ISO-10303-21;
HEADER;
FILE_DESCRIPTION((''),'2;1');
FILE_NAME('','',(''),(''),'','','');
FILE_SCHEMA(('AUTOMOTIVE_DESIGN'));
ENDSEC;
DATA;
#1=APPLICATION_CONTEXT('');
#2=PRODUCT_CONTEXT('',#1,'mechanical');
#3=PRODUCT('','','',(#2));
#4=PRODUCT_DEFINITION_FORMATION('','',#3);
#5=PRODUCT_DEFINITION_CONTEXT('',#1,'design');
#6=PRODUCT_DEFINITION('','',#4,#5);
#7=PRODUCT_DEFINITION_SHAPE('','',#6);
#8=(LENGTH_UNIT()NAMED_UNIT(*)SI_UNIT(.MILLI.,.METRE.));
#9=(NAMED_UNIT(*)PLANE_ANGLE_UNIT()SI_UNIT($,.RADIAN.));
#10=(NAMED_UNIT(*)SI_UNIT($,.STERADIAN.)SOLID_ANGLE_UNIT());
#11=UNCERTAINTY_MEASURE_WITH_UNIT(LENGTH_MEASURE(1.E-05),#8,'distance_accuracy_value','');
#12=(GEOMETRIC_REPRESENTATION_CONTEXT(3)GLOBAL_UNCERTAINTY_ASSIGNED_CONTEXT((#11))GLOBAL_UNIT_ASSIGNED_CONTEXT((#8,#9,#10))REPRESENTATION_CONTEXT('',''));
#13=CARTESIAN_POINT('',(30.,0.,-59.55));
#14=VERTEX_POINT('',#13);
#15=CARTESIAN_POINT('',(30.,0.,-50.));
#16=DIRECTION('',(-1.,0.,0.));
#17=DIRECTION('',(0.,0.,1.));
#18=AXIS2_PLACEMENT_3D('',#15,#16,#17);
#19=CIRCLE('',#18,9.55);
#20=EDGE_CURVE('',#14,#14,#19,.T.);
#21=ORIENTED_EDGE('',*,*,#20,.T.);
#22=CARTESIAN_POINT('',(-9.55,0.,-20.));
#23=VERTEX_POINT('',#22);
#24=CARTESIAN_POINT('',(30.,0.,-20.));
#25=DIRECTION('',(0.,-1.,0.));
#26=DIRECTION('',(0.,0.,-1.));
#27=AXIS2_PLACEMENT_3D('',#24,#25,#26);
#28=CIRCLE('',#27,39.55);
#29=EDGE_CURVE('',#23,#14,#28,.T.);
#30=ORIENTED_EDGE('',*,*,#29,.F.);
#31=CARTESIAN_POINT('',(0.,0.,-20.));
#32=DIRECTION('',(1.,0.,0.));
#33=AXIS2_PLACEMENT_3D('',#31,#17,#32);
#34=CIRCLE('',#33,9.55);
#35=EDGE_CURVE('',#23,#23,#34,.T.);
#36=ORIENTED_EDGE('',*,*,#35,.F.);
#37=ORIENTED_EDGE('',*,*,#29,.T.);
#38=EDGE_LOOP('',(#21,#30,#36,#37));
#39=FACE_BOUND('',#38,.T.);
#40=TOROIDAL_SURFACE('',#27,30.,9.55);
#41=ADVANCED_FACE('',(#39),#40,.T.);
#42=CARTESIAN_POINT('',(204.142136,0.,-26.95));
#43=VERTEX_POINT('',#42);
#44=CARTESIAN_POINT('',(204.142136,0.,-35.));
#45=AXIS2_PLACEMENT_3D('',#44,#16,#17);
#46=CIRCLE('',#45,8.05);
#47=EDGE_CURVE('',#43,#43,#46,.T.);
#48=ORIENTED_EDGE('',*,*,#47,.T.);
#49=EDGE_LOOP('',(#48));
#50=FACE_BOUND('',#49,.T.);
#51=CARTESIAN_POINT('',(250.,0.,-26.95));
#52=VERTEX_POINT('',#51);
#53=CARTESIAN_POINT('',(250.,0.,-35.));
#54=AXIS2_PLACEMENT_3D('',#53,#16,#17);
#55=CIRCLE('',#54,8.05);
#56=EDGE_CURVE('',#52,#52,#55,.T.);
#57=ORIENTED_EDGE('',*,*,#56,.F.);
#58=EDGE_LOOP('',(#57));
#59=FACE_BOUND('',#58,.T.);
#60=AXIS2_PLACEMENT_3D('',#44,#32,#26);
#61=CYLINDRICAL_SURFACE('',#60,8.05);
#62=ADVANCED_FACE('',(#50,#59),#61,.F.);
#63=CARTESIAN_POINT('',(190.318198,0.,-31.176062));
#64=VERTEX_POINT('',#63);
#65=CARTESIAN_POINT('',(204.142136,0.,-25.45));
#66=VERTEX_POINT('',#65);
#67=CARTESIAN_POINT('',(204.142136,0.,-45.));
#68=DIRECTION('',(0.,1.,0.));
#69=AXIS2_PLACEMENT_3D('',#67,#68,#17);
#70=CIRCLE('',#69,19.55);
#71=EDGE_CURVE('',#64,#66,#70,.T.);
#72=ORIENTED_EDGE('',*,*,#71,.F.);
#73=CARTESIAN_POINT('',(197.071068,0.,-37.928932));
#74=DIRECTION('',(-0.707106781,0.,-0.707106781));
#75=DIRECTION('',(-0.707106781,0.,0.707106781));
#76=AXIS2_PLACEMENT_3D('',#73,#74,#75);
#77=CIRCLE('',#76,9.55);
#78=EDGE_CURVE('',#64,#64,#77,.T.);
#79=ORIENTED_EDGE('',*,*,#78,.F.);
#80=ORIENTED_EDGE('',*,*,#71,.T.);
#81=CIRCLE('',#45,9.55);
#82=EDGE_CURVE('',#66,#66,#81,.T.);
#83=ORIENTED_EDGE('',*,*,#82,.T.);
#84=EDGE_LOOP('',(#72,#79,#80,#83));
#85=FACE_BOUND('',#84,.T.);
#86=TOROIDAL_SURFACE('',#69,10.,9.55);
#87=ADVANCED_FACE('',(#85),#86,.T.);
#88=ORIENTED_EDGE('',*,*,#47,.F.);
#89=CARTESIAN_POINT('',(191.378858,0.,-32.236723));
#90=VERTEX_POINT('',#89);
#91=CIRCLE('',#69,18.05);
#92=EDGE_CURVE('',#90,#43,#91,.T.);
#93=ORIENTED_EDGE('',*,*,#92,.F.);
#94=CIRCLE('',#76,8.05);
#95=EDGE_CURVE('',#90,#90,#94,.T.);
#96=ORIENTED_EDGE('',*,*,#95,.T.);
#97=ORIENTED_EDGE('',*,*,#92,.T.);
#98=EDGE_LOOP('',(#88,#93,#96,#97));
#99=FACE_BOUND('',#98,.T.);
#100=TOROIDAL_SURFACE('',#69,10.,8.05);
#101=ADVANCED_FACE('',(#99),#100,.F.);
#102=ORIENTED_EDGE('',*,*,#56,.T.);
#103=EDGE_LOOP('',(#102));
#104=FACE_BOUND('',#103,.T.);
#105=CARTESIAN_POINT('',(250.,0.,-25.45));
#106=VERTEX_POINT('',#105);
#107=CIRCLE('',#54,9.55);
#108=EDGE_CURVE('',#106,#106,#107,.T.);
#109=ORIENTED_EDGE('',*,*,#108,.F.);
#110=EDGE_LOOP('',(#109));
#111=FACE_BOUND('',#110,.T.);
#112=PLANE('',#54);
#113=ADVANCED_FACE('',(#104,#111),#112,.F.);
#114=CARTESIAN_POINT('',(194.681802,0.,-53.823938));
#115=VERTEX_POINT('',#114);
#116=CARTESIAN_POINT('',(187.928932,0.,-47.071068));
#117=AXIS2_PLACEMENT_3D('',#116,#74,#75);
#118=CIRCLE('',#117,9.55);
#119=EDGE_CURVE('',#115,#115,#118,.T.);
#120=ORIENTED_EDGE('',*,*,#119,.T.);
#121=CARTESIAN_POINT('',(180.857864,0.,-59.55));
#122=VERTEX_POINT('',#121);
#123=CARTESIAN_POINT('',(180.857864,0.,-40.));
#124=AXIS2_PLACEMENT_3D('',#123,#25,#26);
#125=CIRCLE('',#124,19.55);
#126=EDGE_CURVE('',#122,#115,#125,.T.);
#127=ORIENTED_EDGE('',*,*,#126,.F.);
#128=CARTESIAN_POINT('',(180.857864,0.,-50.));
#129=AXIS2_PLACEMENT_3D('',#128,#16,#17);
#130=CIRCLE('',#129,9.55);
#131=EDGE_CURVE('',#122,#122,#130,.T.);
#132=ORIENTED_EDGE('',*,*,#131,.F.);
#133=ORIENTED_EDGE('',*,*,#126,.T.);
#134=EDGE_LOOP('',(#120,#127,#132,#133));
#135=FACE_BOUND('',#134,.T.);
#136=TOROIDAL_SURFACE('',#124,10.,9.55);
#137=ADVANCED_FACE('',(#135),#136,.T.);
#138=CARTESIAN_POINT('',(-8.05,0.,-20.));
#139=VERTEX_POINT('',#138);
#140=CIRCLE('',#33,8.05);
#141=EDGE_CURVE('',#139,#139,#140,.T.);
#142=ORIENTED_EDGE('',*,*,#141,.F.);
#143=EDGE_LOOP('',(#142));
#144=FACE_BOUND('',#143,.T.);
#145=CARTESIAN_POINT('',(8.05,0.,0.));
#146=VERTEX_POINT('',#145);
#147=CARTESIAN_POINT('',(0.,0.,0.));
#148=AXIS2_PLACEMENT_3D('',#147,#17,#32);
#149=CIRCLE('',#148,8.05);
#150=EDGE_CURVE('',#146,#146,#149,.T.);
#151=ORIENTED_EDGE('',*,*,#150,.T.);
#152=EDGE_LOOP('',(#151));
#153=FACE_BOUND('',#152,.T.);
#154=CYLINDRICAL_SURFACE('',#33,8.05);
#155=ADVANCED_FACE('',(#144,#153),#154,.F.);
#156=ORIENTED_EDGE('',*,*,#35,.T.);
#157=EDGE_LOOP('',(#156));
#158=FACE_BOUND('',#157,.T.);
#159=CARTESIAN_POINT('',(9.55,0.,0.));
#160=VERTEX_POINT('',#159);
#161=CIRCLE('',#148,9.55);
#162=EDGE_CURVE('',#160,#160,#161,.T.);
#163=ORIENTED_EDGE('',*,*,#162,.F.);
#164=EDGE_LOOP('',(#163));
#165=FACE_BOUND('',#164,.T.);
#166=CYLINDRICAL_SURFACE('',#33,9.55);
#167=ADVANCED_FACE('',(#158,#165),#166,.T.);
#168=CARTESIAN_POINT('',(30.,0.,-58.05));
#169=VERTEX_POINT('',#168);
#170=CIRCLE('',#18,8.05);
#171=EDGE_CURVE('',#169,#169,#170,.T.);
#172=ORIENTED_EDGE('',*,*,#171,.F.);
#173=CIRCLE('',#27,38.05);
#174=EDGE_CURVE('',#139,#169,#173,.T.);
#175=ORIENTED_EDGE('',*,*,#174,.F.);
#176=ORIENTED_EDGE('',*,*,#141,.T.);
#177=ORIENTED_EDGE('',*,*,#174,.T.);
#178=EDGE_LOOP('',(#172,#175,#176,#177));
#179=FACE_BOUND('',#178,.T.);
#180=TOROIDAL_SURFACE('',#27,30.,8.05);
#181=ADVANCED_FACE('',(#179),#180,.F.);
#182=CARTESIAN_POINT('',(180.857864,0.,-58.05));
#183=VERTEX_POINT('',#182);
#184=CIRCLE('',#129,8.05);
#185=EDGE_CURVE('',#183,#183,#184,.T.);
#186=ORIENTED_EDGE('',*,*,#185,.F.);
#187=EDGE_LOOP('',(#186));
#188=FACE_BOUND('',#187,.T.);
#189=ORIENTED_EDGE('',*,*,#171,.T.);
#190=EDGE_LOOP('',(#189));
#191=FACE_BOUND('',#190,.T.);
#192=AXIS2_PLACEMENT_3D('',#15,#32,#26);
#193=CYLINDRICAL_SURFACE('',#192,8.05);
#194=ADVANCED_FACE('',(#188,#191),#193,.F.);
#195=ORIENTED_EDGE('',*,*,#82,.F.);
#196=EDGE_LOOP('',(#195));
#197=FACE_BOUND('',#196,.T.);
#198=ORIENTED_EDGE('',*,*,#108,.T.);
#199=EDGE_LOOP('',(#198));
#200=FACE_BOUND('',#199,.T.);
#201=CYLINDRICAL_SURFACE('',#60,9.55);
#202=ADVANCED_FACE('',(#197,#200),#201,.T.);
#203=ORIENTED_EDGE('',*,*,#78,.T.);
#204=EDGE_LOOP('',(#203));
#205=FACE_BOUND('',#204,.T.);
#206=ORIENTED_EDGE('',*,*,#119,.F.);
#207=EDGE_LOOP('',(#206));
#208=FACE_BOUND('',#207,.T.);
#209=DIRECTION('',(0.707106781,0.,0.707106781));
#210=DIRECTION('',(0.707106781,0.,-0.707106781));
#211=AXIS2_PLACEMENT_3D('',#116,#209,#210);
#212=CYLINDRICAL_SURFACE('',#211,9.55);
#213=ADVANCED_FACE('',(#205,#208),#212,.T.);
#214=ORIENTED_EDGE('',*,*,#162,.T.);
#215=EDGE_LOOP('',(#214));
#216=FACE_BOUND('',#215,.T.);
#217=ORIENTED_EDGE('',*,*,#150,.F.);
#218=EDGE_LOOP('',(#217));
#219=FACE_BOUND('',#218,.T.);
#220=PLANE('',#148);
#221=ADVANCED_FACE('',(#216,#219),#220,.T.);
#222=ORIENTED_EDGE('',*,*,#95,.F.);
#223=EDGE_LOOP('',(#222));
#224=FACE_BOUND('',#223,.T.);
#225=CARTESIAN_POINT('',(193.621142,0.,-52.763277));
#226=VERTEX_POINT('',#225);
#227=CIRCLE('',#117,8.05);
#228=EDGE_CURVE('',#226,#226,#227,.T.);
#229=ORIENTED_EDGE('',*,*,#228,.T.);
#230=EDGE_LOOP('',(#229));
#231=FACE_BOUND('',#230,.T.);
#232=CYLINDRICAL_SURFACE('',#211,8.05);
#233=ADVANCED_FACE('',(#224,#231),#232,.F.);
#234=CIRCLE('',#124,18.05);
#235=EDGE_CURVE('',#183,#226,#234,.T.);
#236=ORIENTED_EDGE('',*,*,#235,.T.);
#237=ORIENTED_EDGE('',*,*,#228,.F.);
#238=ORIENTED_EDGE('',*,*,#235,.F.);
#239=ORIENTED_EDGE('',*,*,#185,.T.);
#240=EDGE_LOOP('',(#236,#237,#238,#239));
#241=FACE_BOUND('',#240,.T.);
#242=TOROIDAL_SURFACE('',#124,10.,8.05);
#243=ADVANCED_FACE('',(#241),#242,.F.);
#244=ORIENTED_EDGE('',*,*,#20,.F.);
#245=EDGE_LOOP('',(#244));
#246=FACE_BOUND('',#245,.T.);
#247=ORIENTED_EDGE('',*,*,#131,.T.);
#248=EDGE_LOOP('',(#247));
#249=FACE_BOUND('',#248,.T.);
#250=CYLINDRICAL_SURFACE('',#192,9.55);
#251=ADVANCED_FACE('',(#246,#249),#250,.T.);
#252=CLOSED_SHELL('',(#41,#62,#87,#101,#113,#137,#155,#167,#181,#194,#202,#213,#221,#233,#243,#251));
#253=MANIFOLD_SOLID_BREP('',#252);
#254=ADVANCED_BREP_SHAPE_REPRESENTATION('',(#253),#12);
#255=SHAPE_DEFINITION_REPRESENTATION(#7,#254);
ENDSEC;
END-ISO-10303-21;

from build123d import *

# Parameters (mm, degrees)
SKETCH2_R   = 9.55
SKETCH2_R_2 = 8.05


with BuildPart() as part:
    # Sweep1: sweep along a path in Sketch1
    with BuildLine(Plane(origin=(0, 0, 0), x_dir=(1, 0, 0), z_dir=(0, 1, 0))) as sweep1_path:
        Line((250, 35), (204.142135624, 35))
        ThreePointArc((204.142135624, 35), (200.3153013, 35.761204675), (197.071067812, 37.928932188))
        Line((197.071067812, 37.928932188), (187.928932188, 47.071067812))
        ThreePointArc((187.928932188, 47.071067812), (184.6846987, 49.238795325), (180.857864376, 50))
        Line((180.857864376, 50), (30, 50))
        ThreePointArc((30, 50), (8.786796564, 41.213203436), (0, 20))
        Line((0, 20), (0, 0))
    # Sketch2 → Sweep1 (sweep)
    with BuildSketch(Plane.XY):
        Circle(SKETCH2_R)
        Circle(SKETCH2_R_2, mode=Mode.SUBTRACT)
    sweep(path=sweep1_path.line)


solid = part.part
